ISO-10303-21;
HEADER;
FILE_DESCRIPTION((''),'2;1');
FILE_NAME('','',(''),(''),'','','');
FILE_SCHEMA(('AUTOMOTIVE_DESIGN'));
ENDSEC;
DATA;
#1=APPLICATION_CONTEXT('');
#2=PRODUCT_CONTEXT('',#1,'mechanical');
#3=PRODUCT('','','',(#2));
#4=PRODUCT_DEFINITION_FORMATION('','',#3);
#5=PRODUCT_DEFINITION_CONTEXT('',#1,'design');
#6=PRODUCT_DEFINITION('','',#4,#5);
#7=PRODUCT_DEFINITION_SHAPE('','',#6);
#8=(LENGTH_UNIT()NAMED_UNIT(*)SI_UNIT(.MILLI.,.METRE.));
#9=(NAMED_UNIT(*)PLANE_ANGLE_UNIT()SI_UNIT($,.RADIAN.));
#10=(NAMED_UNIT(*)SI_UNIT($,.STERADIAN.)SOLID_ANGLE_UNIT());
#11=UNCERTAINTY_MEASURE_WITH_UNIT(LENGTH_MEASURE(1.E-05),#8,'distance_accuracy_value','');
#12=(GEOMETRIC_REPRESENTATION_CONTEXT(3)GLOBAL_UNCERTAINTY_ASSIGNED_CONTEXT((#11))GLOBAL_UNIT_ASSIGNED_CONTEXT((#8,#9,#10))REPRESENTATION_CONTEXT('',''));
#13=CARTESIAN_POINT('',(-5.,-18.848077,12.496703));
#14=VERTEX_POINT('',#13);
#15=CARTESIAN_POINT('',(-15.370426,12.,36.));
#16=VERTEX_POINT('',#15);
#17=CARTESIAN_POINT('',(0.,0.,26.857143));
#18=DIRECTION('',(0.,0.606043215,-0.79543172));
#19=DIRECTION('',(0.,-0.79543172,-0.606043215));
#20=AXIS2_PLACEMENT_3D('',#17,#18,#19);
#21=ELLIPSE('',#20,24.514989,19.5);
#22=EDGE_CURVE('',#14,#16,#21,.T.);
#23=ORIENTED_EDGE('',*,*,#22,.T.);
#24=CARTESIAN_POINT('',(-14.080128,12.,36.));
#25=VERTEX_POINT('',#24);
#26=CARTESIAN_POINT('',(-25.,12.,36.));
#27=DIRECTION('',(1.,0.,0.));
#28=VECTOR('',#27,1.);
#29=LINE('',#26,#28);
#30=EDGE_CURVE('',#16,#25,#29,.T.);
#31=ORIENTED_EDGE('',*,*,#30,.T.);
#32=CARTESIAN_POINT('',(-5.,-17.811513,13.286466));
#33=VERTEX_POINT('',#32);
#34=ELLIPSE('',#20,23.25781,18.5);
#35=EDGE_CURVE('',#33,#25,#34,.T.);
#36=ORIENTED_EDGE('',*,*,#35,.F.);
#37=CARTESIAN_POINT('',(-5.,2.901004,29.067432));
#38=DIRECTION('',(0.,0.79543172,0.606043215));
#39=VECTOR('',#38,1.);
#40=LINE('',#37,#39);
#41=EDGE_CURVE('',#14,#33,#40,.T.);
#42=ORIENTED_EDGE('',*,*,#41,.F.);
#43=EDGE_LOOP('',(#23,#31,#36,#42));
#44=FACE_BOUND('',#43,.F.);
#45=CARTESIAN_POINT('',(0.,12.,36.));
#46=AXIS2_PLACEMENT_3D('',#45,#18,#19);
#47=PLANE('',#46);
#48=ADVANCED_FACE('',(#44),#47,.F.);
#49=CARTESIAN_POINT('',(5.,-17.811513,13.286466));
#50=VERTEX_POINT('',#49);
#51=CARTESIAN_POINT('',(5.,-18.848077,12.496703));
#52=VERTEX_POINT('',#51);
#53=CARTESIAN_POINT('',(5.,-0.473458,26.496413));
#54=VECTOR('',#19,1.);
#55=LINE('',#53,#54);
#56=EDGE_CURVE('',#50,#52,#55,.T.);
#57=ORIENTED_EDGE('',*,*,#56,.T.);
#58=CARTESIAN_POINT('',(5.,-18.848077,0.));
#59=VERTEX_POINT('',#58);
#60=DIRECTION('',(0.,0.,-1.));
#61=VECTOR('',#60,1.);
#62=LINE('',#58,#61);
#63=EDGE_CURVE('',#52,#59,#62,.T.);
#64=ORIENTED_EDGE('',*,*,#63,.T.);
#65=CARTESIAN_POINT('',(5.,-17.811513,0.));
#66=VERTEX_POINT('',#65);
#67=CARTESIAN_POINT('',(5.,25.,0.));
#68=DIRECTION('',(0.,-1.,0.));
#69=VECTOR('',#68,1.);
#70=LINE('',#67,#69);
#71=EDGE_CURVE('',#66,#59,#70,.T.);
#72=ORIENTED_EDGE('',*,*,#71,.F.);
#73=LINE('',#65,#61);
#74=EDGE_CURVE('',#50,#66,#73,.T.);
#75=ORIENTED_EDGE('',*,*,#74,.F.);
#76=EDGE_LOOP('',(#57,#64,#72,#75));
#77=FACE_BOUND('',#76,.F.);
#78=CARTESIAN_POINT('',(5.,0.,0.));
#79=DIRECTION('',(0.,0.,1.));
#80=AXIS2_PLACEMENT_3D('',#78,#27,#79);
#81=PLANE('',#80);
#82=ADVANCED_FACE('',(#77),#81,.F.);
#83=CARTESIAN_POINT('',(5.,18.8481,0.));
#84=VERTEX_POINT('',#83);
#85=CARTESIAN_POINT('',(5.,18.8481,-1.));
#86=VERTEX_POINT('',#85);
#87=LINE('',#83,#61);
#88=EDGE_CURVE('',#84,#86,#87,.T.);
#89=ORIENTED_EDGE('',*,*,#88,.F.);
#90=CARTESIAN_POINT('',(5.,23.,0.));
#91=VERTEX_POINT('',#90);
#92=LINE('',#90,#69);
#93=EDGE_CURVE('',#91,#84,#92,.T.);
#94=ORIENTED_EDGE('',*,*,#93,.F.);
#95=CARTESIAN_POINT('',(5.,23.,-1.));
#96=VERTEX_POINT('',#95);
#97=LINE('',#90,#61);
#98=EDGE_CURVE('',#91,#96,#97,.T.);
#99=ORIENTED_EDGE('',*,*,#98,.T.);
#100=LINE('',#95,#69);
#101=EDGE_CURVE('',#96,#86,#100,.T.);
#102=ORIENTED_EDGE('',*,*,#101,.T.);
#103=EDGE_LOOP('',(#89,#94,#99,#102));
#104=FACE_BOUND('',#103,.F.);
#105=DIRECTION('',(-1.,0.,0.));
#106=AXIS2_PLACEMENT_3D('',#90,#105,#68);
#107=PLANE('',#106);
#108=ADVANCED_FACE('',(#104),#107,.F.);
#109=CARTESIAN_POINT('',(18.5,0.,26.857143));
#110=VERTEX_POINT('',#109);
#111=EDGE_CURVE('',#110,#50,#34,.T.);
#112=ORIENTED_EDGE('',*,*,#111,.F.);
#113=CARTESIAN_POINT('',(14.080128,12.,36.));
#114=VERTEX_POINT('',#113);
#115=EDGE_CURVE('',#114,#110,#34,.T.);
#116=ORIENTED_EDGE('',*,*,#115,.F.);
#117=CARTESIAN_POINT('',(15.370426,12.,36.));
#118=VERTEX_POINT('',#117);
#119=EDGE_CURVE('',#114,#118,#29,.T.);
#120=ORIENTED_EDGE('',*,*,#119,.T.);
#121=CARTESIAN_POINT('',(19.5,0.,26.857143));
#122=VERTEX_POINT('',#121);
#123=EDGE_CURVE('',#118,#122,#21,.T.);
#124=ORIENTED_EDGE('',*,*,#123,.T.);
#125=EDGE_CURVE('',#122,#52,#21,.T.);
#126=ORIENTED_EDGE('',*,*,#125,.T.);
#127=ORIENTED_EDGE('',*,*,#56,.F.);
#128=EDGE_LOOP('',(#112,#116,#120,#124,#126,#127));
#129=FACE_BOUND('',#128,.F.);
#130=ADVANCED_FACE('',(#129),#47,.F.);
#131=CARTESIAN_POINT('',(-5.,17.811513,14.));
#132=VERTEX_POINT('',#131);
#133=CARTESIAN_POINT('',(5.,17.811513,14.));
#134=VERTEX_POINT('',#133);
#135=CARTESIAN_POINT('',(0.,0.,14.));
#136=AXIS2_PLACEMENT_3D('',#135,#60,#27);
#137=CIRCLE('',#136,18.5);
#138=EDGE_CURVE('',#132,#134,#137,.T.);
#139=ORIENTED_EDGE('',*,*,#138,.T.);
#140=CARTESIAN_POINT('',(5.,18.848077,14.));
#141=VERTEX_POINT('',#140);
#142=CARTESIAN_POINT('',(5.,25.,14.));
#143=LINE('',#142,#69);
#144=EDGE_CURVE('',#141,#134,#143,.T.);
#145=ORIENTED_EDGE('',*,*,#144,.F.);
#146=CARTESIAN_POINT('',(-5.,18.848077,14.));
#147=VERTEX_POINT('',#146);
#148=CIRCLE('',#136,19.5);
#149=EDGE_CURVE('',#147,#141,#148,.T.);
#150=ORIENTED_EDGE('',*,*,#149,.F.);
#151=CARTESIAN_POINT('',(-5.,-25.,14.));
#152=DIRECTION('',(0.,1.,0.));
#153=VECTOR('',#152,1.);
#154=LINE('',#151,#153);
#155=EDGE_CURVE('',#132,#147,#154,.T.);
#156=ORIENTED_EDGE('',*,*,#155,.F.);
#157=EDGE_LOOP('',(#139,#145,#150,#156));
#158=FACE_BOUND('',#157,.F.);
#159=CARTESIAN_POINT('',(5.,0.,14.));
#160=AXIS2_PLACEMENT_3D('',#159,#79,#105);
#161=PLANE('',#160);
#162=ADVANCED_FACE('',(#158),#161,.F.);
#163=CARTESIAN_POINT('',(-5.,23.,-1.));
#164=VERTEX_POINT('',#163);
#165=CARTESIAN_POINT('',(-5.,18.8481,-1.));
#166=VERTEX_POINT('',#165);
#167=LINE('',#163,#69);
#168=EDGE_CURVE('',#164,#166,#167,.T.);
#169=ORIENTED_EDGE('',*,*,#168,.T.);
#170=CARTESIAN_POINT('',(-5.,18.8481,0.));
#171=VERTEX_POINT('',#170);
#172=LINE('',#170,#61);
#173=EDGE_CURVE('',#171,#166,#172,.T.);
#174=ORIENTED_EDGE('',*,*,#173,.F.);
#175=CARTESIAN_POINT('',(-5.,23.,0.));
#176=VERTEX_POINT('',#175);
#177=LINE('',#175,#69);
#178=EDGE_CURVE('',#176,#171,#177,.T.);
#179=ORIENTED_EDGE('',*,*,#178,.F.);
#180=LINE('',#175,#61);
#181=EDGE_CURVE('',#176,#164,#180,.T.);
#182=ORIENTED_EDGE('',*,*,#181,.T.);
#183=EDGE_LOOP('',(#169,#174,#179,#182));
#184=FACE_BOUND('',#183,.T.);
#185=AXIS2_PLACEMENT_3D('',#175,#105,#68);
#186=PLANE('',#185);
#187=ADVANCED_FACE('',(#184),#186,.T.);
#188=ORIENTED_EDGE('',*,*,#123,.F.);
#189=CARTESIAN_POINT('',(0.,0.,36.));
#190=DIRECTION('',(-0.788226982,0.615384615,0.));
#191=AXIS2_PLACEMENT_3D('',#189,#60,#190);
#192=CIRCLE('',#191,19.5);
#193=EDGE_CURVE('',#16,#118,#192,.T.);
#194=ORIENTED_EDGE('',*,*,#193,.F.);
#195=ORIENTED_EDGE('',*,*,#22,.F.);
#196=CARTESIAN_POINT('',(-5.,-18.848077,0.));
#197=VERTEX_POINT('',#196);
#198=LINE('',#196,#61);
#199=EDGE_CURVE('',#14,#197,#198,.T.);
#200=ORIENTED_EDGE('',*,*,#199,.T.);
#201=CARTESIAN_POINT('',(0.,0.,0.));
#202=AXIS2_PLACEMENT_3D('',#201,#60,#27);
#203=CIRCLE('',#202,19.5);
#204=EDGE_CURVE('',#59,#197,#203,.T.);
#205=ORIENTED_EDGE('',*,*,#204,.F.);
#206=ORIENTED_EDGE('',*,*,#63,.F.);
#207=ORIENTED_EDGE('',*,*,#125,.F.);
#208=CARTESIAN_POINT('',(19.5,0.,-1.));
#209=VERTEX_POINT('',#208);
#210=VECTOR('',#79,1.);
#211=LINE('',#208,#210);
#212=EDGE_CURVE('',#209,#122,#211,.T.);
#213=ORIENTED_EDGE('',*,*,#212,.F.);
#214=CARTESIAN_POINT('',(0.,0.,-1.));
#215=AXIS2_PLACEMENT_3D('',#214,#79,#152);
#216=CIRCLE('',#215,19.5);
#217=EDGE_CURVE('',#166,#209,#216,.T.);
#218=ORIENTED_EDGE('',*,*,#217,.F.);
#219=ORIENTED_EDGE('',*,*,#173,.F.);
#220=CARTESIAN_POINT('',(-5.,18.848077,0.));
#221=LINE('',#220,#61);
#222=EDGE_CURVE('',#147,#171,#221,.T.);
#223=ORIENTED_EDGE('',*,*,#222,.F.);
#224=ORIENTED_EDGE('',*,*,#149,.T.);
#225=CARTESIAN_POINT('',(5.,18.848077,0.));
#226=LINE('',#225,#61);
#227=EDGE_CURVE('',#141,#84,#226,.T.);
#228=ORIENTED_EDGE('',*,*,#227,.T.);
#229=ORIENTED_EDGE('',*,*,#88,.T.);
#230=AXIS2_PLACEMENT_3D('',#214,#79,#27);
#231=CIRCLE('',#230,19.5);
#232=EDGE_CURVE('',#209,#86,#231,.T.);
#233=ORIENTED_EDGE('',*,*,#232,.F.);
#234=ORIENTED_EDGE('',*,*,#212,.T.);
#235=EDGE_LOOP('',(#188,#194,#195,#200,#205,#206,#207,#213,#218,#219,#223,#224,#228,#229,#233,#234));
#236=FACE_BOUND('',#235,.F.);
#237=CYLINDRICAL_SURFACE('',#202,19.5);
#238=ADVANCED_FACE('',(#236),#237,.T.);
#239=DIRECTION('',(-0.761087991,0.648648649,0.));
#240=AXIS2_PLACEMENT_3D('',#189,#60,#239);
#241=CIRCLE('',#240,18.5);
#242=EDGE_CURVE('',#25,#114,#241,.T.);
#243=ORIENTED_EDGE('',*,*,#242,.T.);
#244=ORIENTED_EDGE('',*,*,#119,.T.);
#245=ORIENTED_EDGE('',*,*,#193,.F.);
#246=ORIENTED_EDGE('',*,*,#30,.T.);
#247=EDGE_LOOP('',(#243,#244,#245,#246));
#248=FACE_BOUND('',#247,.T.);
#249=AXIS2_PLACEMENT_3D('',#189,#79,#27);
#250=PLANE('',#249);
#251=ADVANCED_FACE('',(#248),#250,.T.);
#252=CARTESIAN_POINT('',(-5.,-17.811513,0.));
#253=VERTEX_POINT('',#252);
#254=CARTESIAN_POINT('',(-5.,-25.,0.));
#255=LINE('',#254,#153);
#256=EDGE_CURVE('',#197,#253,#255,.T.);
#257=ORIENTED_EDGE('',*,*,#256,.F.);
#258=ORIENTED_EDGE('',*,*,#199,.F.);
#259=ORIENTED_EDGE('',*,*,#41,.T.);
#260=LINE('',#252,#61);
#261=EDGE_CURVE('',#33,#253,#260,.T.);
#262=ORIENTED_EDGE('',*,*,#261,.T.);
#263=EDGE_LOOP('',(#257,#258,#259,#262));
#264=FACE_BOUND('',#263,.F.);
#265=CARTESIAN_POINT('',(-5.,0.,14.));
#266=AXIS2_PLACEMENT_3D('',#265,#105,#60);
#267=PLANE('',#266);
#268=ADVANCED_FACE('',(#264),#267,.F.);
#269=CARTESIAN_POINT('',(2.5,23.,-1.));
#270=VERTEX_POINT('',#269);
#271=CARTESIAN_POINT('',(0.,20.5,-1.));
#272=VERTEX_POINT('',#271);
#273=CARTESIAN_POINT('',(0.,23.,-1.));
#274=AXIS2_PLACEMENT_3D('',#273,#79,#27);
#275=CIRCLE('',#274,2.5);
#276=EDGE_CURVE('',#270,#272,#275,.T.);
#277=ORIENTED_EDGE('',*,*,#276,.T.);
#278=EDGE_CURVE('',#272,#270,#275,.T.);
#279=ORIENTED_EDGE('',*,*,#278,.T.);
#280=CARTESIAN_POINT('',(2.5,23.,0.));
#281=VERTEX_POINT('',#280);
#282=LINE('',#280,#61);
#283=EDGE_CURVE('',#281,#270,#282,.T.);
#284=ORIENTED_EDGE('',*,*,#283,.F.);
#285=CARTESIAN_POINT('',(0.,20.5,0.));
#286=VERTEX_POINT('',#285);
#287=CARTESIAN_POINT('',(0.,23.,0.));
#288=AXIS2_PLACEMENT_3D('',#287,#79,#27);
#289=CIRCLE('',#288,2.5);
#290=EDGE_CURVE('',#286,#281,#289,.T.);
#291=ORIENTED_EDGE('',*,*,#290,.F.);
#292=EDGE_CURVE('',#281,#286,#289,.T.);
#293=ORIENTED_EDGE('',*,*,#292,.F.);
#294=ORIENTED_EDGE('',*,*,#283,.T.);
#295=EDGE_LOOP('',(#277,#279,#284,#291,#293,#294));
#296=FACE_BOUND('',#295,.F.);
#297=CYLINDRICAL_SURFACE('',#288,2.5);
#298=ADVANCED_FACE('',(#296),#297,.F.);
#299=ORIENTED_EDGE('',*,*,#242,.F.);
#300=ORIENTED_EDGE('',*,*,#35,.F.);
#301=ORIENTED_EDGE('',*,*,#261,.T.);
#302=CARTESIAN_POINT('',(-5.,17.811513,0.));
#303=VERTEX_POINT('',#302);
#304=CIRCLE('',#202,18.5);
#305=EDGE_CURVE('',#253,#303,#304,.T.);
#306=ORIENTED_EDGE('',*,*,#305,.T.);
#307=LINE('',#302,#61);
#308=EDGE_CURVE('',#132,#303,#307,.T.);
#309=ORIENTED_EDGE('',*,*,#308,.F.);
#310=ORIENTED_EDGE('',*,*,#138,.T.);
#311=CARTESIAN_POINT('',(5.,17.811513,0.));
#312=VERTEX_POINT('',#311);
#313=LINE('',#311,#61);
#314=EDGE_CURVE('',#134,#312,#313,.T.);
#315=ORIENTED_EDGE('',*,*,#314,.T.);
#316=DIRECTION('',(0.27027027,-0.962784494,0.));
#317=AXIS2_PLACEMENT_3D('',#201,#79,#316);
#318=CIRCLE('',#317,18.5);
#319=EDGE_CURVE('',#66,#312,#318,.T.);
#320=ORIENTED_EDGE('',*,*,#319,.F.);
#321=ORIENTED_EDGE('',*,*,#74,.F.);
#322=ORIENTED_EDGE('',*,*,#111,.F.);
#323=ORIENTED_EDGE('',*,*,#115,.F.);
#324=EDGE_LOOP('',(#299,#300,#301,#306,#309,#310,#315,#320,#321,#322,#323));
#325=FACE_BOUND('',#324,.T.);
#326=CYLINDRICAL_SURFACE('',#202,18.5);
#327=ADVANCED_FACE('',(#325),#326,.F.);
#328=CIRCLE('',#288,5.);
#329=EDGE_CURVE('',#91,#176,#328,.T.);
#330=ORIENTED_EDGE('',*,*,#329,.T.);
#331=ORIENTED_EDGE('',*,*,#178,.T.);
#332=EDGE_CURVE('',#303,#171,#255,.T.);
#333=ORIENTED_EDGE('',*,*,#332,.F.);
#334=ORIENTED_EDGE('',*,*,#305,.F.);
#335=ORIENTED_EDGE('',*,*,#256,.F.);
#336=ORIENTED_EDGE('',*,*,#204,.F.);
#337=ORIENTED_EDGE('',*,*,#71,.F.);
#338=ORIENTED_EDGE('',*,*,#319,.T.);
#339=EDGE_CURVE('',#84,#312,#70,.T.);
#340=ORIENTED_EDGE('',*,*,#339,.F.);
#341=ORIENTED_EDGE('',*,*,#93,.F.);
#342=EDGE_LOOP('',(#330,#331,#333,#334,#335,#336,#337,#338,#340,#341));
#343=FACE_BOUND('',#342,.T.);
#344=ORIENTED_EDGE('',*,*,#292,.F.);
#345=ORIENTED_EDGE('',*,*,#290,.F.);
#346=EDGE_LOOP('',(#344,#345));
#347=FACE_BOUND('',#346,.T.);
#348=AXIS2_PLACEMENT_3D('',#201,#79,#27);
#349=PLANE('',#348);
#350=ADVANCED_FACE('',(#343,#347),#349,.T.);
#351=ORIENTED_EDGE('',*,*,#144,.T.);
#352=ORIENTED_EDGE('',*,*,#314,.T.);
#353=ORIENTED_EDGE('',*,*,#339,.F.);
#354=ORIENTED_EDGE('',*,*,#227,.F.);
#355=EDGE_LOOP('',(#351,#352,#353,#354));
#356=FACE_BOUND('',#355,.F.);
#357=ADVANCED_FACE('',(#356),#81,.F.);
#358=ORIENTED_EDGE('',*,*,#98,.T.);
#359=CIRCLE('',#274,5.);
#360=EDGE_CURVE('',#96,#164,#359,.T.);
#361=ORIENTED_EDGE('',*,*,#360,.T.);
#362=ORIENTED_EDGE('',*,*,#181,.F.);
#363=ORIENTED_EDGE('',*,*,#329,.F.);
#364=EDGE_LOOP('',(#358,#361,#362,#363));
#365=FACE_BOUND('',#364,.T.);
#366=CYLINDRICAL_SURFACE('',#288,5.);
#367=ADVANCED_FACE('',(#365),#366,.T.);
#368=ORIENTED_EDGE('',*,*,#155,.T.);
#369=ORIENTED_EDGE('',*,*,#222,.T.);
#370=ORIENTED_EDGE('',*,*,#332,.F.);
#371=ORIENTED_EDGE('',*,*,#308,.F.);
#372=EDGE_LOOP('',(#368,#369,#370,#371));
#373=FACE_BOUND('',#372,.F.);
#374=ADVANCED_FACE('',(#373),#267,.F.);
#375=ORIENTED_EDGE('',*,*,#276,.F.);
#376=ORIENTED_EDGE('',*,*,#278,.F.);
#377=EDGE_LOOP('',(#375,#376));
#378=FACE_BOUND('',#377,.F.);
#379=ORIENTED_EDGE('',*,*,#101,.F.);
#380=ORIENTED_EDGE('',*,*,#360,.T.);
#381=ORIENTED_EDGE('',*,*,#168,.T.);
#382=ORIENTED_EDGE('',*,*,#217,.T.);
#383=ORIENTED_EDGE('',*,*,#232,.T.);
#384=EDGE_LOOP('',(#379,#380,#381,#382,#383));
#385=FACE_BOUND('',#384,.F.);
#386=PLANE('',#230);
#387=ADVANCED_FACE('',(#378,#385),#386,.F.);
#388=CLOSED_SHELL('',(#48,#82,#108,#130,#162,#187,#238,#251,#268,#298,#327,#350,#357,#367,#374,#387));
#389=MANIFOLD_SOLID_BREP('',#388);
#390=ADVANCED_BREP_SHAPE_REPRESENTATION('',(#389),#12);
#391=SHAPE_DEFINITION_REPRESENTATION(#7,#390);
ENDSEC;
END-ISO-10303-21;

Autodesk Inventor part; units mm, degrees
ref_plane "YZ Plane" through (0, 0, 0) normal (1, 0, 0) x (0, 1, 0)
ref_plane "XZ Plane" through (0, 0, 0) normal (0, 1, 0) x (-1, 0, 0)
ref_plane "XY Plane" through (0, 0, 0) normal (0, 0, 1) x (1, 0, 0)
sketch "Sketch1" plane through (0, 0, 0) normal (0, 0, 1) x (1, 0, 0)
  circle A0 centre (0, 0) radius 18.5
  circle A1 centre (0, 0) radius 19.5
  line L0 (0, 0) -> (0, 25.1943)
  arc A2 (5, 23) -> (-5, 23) centre (0, 23) ccw
  line L1 (5, 23) -> (5, 18.8481)
  line L2 (-5, 23) -> (-5, 18.8481)
  circle A3 centre (0, 23) radius 2.5
  point P0 (-5, 25.1943)
  point P1 (5, 25.1943)
  dimension "d0" = 37
  dimension "d1" = 1
  dimension "d16" = 10
  dimension "d17" = 23
  dimension "d18" = 5
extrude "Extrusion1" add sketch "Sketch1" against normal blind 1 contours A0 | A1
extrude "Extrusion2" add sketch "Sketch1" along normal blind 36 contours A1
sketch "Sketch2" plane through (0, 0, 0) normal (1, 0, 0) x (0, 1, 0)
  line L0 (19.5, 36) -> (-19.5, 36) projected
  line L1 (12, 36) -> (-19.5, 12)
  line L2 (-19.5, 36) -> (-19.5, -1) projected
  line L3 (12, 36) -> (19.5, 36)
  line L4 (-19.5, 12) -> (-19.5, -1)
  line L5 (-19.5, -1) -> (19.5, -1) projected
  line L6 (-19.5, -1) -> (19.5, -1)
  line L7 (19.5, -1) -> (19.5, 36)
  point P0 (0, 0)
  dimension "d7" = 12
  dimension "d8" = 12
extrude "Extrusion3" cut sketch "Sketch2" along normal mid plane 50 contours L1 L2 L0
sketch "Sketch3" plane through (0, 0, 0) normal (0, 1, 0) x (-1, 0, 0)
  line L0 (18.5, 0) -> (-18.5, 0) projected
  line L1 (5, 0) -> (-5, 0)
  line L2 (-5, 0) -> (-5, 14)
  line L3 (-5, 14) -> (5, 14)
  line L4 (5, 14) -> (5, 0)
  point P0 (0, 0)
  dimension "d11" = 5
  dimension "d12" = 10
  dimension "d13" = 14
extrude "Extrusion4" cut sketch "Sketch3" along normal mid plane 50
extrude "Extrusion5" add sketch "Sketch1" against normal blind 1 contours A1 L2 A2 L1
properties part number "CatWaterSensorCase"
